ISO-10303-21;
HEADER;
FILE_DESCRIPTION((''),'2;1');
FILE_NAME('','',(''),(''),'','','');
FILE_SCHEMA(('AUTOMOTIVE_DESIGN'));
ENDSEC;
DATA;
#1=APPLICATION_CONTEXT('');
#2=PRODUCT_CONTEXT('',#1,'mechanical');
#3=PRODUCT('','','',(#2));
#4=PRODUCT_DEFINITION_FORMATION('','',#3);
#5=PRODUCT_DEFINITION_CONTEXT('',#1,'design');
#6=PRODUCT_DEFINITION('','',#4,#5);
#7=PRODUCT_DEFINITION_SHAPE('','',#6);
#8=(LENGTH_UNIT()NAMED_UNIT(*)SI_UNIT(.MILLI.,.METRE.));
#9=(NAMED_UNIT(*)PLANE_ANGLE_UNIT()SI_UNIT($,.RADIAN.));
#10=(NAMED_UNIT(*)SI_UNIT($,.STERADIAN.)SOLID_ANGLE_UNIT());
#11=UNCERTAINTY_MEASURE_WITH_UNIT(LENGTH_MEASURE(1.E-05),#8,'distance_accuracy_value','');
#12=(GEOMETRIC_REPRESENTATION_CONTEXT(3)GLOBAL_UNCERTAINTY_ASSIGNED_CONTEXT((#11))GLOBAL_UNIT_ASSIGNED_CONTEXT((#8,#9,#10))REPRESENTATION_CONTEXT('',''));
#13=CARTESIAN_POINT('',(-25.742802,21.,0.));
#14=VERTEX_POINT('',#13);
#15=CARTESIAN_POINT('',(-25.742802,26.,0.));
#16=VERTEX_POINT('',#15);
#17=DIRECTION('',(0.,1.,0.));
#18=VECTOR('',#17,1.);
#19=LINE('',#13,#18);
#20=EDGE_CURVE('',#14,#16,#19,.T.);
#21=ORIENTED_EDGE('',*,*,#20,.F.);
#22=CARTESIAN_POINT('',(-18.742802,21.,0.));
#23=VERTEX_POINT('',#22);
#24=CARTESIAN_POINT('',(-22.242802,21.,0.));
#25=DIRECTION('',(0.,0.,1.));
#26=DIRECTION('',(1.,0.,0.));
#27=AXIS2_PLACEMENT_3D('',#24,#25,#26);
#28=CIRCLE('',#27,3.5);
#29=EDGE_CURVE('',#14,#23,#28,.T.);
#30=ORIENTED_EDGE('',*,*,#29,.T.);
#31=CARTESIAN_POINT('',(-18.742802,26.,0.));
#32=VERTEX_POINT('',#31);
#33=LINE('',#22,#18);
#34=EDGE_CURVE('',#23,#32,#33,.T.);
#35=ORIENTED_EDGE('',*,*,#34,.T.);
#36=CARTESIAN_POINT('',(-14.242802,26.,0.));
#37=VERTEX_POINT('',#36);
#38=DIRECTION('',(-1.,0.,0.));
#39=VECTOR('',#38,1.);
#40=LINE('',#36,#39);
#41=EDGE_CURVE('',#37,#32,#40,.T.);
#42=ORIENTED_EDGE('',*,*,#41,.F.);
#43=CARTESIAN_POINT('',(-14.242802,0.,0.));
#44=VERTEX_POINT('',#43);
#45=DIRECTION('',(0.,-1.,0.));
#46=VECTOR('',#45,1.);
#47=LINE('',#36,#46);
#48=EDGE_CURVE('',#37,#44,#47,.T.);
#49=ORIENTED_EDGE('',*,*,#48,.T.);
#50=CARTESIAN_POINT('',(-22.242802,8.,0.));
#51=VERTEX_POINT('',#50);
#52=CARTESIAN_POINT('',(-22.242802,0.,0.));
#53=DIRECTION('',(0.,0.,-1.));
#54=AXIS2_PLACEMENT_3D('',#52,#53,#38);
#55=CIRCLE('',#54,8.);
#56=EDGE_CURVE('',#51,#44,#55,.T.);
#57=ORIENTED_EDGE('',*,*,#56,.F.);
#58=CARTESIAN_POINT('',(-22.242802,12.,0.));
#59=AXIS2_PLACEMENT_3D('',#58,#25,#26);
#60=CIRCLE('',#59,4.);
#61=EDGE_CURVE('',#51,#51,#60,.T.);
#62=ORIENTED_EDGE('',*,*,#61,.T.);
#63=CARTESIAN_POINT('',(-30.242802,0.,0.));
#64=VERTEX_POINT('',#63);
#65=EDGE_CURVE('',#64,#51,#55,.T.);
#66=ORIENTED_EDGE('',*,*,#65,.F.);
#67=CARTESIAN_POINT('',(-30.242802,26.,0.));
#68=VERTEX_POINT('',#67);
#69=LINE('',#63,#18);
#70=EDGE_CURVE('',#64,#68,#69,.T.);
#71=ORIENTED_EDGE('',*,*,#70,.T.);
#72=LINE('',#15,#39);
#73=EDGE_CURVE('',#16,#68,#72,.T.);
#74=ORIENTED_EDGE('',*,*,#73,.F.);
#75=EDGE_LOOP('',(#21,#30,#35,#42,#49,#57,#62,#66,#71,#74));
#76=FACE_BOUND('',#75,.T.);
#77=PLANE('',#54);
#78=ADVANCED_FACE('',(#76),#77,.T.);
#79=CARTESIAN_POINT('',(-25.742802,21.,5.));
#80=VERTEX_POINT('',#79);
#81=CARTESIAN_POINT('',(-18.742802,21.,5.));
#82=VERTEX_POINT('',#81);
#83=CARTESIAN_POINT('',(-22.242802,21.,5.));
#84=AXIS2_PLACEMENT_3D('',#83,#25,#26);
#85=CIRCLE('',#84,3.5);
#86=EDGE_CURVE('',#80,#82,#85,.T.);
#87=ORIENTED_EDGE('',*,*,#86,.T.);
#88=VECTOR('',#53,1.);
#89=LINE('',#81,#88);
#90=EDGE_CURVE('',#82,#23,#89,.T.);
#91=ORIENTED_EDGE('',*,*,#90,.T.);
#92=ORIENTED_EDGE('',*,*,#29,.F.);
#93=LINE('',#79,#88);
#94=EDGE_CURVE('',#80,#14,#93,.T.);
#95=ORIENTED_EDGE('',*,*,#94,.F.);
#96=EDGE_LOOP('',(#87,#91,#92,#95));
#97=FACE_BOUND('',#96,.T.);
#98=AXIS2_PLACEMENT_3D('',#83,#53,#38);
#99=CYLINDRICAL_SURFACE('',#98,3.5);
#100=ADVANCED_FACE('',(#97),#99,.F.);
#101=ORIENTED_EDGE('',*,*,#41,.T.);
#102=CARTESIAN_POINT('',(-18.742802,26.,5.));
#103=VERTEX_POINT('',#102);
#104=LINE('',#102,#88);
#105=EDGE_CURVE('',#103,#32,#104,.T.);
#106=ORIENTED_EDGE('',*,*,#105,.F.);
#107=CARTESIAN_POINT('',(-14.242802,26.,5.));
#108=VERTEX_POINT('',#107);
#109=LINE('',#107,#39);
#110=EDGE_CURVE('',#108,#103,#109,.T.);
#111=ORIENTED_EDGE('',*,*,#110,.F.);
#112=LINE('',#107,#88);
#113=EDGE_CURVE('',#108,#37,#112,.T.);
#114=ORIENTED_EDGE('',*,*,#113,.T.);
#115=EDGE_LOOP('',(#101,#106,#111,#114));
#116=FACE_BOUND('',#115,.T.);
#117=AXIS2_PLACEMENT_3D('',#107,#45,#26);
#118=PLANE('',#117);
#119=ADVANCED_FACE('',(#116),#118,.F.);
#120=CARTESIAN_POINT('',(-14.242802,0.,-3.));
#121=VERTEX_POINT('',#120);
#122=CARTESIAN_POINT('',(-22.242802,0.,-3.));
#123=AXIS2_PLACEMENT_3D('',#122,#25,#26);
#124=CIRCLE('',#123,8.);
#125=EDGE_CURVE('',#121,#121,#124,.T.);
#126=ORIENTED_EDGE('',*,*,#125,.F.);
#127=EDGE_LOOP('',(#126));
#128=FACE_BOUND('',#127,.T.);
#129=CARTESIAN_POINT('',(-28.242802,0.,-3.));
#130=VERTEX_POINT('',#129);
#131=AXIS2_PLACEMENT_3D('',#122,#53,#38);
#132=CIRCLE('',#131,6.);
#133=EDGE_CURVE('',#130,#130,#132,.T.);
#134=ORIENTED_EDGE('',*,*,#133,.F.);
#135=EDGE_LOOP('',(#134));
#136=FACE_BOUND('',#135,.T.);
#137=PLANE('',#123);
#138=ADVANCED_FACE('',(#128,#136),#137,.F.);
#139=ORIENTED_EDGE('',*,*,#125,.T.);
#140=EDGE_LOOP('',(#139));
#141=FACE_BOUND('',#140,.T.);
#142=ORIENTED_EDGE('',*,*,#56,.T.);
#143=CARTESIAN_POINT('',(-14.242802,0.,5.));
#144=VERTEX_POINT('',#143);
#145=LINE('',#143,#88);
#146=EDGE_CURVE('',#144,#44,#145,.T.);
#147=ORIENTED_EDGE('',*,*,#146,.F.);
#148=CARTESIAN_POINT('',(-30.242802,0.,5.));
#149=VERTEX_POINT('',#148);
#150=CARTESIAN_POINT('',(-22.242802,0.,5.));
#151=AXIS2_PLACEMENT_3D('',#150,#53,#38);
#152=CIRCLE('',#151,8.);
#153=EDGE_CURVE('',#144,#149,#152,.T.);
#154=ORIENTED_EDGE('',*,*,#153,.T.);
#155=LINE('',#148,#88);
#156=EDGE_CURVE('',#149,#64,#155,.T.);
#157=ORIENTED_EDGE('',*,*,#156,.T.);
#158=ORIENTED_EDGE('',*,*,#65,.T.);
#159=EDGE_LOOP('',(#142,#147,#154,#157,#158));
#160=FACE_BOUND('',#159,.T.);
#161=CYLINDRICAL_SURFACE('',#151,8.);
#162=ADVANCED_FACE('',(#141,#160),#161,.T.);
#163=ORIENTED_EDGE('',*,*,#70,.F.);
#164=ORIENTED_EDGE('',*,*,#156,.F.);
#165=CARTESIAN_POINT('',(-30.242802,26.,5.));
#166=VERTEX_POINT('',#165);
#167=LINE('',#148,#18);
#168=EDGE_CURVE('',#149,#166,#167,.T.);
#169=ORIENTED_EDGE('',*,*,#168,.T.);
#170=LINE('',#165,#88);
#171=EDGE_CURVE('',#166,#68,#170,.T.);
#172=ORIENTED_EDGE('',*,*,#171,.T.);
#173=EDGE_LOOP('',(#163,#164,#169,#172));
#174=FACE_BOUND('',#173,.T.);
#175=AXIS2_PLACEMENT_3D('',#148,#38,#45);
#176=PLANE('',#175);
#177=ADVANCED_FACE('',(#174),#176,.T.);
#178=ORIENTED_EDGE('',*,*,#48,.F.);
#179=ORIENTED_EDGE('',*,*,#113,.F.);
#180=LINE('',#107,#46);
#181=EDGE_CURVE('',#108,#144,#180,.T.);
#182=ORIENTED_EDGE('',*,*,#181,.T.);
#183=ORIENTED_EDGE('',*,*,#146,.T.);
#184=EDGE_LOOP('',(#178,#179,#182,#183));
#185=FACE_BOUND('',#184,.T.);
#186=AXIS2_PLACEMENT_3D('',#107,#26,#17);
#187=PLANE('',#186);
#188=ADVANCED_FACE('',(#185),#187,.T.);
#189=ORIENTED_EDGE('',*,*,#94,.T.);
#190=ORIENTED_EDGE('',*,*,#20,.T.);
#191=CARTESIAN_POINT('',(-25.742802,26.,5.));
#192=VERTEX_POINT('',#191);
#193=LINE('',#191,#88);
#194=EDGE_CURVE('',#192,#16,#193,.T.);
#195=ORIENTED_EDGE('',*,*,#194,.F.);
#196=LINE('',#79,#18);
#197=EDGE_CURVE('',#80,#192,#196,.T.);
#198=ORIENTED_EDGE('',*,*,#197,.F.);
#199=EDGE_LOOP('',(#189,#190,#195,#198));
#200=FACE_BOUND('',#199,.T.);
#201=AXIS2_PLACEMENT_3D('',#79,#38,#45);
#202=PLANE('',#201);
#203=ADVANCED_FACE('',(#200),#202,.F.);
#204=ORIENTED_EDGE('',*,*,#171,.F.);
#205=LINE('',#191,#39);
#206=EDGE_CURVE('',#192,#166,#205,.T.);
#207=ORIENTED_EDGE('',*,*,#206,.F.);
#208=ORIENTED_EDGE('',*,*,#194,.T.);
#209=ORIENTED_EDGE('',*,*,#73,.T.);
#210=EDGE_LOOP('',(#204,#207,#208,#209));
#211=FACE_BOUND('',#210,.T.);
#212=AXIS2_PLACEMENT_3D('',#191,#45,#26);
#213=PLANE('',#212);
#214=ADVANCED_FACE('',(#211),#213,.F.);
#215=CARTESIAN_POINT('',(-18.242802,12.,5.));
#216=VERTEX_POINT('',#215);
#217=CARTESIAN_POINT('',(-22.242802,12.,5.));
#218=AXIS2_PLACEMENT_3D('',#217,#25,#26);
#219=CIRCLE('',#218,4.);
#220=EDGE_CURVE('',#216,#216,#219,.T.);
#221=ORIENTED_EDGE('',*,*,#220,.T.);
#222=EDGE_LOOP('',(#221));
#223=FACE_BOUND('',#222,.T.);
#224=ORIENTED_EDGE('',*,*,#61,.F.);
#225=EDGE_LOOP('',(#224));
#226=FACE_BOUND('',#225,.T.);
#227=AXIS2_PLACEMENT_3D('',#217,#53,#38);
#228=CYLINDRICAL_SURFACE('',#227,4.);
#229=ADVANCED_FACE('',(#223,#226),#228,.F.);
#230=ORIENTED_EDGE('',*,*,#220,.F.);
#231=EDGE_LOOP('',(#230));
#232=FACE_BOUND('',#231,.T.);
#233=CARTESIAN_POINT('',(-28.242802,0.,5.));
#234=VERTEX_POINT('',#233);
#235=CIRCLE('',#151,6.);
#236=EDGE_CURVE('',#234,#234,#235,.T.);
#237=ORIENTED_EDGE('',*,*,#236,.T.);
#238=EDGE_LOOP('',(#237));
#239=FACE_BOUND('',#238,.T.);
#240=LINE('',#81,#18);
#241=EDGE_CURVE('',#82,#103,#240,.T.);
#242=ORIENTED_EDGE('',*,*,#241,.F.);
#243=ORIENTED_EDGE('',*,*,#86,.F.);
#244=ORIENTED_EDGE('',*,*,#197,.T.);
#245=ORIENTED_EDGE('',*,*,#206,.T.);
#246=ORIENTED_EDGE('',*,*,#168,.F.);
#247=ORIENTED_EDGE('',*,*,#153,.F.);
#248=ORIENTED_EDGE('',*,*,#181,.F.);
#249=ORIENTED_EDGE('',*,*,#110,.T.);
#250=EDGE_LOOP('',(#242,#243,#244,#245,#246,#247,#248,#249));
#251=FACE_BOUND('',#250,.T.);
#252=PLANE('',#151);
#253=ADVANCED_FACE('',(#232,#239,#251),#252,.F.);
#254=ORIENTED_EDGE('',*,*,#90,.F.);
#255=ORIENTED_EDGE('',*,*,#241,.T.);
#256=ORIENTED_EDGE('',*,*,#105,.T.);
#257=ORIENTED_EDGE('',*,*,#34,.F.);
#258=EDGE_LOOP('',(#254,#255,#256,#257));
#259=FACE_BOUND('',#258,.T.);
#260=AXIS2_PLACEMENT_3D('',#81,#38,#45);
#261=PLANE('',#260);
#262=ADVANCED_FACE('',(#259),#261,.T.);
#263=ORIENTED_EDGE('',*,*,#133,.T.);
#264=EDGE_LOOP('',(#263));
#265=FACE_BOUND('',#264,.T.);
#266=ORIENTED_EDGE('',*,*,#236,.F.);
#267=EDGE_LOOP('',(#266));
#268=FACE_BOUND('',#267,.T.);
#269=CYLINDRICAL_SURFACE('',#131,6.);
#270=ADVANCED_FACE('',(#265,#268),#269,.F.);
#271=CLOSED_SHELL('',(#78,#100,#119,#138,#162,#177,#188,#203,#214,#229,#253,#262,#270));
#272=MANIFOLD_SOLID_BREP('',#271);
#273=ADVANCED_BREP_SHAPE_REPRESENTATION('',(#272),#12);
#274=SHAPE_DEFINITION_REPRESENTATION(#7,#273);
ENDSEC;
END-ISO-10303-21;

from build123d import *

# Parameters (mm, degrees)
ESQUISSE1_R          = 4
BASE_EXTRUSION_DEPTH = 5
BOSS_EXTRU_1_START   = -8
ESQUISSE2_R          = 8
BOSS_EXTRU_1_DEPTH   = 8
PER_AGE1_D           = 12
PER_AGE1_DEPTH       = 8
PER_AGE1_TIP         = 3.605163714


with BuildPart() as part:
    # Esquisse1 → Base-Extrusion (new body)
    with BuildSketch(Plane.XY):
        with BuildLine():
            Line((-25.742801556, 26), (-30.242801556, 26))
            Line((-30.242801556, 26), (-30.242801556, 0))
            ThreePointArc((-30.242801556, 0), (-22.242801556, -8), (-14.242801556, 0))
            Line((-14.242801556, 0), (-14.242801556, 26))
            Line((-14.242801556, 26), (-18.742801556, 26))
            Line((-18.742801556, 26), (-18.742801556, 21))
            ThreePointArc((-18.742801556, 21), (-22.242801556, 17.5), (-25.742801556, 21))
            Line((-25.742801556, 21), (-25.742801556, 26))
        make_face()
        with Locations(Location((-22.242801556, 12, 0), (0, 0, 270))):
            Circle(ESQUISSE1_R, mode=Mode.SUBTRACT)
    extrude(amount=BASE_EXTRUSION_DEPTH)

    # Esquisse2 → Boss.-Extru.1 (add)
    with BuildSketch(Plane.XY.offset(5).offset(BOSS_EXTRU_1_START)):
        with Locations((-22.242801556, 0)):
            Circle(ESQUISSE2_R)
    extrude(amount=BOSS_EXTRU_1_DEPTH)

    # Perçage1
    with Locations(Plane(origin=(0, 0, -3), x_dir=(-1, 0, 0), z_dir=(0, 0, -1))):
        with Locations((22.242801556, 0)):
            Hole(PER_AGE1_D / 2, depth=PER_AGE1_DEPTH)
            with Locations((0, 0, -(PER_AGE1_DEPTH + PER_AGE1_TIP / 2))):  # 118° drill point
                Cone(0, PER_AGE1_D / 2, PER_AGE1_TIP, mode=Mode.SUBTRACT)


solid = part.part
